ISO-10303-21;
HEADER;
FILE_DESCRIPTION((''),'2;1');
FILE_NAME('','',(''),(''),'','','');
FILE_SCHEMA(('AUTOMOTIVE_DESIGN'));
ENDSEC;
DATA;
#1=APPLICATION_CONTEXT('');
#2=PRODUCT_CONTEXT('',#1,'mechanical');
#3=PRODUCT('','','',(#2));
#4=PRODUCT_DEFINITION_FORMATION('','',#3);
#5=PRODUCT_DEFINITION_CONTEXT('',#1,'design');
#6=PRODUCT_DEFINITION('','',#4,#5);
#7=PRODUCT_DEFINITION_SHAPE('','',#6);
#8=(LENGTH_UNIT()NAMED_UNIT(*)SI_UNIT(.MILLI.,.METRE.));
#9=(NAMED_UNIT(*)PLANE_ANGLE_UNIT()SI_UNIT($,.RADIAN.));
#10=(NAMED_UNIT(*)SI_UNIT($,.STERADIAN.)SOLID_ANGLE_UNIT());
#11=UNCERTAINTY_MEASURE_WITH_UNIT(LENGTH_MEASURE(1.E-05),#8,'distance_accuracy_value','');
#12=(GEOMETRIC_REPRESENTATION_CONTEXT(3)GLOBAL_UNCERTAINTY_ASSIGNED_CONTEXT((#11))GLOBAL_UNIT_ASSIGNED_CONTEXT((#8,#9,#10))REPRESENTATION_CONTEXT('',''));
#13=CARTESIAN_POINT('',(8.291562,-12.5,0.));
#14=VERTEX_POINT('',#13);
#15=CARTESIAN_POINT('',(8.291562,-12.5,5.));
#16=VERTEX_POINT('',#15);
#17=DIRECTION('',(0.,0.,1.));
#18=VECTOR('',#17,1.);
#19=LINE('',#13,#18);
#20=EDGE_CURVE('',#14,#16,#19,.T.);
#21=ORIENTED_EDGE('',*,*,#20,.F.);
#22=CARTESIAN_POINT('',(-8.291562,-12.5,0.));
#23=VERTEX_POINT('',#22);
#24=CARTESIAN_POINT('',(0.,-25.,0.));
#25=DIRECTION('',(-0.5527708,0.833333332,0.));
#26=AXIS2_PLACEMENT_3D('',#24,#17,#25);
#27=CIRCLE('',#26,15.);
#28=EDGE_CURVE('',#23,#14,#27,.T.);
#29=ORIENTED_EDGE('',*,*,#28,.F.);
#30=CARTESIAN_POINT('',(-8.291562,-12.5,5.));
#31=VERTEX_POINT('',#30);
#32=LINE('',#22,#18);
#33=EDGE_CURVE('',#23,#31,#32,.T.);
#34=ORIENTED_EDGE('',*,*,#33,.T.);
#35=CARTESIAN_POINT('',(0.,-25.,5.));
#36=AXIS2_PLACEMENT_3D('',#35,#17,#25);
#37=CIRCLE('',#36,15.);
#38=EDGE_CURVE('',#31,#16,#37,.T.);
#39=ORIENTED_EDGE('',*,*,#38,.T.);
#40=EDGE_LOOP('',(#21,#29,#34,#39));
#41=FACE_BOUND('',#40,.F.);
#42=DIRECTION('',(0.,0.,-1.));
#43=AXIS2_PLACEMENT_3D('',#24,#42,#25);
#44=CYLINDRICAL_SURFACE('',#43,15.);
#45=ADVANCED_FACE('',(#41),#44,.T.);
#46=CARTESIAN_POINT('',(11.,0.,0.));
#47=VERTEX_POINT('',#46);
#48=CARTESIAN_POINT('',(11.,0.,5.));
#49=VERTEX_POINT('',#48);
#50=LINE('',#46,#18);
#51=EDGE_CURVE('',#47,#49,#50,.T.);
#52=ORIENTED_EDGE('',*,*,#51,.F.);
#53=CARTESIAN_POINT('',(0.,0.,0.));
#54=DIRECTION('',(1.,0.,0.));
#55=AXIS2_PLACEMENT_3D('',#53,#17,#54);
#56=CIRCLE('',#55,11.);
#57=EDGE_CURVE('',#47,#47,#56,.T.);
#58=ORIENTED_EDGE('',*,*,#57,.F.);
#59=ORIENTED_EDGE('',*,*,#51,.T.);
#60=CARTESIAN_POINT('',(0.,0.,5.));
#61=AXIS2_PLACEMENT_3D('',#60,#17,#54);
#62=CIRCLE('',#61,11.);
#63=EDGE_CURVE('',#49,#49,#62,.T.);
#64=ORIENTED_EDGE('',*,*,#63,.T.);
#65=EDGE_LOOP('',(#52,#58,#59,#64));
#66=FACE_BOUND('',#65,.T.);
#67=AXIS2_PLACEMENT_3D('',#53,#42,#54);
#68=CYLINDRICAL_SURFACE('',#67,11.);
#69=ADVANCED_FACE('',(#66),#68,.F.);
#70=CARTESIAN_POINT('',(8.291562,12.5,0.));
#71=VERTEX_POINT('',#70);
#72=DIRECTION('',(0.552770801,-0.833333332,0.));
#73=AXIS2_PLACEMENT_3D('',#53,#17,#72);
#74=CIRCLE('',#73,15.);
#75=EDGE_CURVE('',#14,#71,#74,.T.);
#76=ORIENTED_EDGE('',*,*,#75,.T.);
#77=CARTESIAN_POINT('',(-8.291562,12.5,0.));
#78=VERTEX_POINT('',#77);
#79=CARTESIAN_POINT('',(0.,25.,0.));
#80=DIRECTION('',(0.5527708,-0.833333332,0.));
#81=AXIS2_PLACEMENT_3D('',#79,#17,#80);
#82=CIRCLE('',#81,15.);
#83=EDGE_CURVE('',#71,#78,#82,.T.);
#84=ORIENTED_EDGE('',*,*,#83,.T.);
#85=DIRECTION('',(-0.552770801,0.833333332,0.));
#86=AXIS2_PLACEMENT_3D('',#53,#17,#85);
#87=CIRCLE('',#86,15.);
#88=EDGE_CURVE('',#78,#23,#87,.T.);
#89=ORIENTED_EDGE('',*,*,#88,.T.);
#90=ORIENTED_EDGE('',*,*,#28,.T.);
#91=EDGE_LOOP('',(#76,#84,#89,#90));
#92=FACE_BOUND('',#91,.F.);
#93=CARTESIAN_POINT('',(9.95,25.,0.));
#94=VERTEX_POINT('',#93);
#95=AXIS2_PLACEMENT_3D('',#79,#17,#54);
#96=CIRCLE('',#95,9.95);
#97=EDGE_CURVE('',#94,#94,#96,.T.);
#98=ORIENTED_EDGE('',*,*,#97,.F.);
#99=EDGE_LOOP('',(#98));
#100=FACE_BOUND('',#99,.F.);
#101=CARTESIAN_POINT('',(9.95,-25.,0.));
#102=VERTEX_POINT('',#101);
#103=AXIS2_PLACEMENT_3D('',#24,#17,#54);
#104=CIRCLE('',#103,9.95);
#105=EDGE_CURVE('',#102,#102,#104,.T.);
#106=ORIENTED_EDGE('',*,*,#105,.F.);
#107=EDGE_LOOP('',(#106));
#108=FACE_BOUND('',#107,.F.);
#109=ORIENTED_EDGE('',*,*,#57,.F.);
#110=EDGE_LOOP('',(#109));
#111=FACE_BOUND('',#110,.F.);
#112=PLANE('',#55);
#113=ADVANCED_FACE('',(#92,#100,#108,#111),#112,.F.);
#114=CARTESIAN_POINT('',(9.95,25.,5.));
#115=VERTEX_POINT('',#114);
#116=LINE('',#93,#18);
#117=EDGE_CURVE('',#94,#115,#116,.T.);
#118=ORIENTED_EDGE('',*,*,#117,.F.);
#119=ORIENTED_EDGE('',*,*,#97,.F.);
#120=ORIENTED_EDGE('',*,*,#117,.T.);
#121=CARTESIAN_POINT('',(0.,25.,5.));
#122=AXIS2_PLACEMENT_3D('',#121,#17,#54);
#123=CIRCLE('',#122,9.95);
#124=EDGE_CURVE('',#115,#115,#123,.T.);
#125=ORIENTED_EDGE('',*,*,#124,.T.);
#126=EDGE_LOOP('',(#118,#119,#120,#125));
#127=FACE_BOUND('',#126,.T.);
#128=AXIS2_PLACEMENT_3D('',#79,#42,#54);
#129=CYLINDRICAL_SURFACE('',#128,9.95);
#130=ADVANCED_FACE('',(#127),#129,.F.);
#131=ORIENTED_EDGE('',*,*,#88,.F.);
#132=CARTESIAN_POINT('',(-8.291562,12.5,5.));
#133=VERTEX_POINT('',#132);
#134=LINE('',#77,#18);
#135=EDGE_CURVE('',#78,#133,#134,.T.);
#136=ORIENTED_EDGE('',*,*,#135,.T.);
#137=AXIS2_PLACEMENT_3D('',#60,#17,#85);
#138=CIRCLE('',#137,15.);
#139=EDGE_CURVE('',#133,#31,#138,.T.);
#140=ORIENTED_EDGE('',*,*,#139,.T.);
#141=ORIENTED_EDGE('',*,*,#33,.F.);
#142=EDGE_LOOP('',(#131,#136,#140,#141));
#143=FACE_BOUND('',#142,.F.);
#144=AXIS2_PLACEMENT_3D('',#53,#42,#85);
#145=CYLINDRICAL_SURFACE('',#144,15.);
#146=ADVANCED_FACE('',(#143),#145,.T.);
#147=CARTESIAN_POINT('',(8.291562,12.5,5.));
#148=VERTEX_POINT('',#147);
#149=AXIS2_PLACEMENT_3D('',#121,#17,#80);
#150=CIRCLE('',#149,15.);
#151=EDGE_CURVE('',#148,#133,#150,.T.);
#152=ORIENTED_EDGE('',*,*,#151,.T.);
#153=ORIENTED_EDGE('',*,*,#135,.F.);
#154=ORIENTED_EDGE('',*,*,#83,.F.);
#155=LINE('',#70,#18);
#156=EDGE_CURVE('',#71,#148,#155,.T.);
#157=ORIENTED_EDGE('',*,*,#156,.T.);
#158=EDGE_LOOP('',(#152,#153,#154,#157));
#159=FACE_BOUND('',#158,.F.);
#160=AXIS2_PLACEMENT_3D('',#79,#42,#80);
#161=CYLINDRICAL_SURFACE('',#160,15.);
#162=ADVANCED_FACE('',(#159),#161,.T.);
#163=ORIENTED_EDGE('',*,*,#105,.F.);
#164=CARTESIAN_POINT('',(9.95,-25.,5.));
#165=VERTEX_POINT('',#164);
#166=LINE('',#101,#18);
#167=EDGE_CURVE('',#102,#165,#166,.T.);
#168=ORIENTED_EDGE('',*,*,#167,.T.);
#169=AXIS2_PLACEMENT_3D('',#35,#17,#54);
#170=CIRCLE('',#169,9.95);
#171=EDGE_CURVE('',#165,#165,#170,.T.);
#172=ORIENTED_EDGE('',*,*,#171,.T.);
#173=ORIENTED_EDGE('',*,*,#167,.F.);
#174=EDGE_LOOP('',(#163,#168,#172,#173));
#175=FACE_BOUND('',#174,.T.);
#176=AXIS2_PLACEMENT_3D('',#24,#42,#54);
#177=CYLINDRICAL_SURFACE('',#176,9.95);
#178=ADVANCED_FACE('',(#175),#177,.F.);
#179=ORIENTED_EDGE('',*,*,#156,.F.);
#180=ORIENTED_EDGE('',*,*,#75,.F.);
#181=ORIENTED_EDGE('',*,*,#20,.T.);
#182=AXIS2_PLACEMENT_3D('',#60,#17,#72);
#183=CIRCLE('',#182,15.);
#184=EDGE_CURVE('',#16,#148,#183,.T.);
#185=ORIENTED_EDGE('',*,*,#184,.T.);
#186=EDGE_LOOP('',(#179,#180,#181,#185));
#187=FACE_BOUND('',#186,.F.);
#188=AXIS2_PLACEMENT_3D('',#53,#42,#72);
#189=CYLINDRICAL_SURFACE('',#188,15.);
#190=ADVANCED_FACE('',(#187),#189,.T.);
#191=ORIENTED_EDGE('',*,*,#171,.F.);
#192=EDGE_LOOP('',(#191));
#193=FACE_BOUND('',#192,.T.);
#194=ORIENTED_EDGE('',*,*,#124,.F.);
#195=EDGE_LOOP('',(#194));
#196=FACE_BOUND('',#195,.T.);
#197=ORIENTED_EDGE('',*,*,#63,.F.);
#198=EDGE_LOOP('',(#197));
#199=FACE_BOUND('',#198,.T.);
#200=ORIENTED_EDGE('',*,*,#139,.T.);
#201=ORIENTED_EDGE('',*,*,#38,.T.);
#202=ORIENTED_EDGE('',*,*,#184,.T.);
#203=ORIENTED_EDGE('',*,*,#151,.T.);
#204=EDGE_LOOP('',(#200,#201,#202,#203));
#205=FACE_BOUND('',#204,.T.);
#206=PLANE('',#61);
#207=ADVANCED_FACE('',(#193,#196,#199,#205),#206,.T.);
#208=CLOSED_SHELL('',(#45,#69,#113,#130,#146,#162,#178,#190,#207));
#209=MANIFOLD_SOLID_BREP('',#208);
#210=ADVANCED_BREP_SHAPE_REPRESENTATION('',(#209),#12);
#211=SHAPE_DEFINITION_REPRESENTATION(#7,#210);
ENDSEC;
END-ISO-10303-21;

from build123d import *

# Parameters (mm, degrees)
F0_R     = 9.95
F0_R_2   = 11
F1_DEPTH = 5


with BuildPart() as f1:
    # F0 (on Top) → F1 (new body)
    with BuildSketch(Plane.XY):
        with BuildLine():
            ThreePointArc((8.291562, -12.5), (15, 0), (8.291562, 12.5))
            ThreePointArc((8.291562, 12.5), (0, 40), (-8.291562, 12.5))
            ThreePointArc((-8.291562, 12.5), (-15, 0), (-8.291562, -12.5))
            ThreePointArc((-8.291562, -12.5), (0, -40), (8.291562, -12.5))
        make_face()
        with Locations((0, -25)):
            Circle(F0_R, mode=Mode.SUBTRACT)
        Circle(F0_R_2, mode=Mode.SUBTRACT)
        with Locations((0, 25)):
            Circle(F0_R, mode=Mode.SUBTRACT)
    extrude(amount=F1_DEPTH)


solid = f1.part
